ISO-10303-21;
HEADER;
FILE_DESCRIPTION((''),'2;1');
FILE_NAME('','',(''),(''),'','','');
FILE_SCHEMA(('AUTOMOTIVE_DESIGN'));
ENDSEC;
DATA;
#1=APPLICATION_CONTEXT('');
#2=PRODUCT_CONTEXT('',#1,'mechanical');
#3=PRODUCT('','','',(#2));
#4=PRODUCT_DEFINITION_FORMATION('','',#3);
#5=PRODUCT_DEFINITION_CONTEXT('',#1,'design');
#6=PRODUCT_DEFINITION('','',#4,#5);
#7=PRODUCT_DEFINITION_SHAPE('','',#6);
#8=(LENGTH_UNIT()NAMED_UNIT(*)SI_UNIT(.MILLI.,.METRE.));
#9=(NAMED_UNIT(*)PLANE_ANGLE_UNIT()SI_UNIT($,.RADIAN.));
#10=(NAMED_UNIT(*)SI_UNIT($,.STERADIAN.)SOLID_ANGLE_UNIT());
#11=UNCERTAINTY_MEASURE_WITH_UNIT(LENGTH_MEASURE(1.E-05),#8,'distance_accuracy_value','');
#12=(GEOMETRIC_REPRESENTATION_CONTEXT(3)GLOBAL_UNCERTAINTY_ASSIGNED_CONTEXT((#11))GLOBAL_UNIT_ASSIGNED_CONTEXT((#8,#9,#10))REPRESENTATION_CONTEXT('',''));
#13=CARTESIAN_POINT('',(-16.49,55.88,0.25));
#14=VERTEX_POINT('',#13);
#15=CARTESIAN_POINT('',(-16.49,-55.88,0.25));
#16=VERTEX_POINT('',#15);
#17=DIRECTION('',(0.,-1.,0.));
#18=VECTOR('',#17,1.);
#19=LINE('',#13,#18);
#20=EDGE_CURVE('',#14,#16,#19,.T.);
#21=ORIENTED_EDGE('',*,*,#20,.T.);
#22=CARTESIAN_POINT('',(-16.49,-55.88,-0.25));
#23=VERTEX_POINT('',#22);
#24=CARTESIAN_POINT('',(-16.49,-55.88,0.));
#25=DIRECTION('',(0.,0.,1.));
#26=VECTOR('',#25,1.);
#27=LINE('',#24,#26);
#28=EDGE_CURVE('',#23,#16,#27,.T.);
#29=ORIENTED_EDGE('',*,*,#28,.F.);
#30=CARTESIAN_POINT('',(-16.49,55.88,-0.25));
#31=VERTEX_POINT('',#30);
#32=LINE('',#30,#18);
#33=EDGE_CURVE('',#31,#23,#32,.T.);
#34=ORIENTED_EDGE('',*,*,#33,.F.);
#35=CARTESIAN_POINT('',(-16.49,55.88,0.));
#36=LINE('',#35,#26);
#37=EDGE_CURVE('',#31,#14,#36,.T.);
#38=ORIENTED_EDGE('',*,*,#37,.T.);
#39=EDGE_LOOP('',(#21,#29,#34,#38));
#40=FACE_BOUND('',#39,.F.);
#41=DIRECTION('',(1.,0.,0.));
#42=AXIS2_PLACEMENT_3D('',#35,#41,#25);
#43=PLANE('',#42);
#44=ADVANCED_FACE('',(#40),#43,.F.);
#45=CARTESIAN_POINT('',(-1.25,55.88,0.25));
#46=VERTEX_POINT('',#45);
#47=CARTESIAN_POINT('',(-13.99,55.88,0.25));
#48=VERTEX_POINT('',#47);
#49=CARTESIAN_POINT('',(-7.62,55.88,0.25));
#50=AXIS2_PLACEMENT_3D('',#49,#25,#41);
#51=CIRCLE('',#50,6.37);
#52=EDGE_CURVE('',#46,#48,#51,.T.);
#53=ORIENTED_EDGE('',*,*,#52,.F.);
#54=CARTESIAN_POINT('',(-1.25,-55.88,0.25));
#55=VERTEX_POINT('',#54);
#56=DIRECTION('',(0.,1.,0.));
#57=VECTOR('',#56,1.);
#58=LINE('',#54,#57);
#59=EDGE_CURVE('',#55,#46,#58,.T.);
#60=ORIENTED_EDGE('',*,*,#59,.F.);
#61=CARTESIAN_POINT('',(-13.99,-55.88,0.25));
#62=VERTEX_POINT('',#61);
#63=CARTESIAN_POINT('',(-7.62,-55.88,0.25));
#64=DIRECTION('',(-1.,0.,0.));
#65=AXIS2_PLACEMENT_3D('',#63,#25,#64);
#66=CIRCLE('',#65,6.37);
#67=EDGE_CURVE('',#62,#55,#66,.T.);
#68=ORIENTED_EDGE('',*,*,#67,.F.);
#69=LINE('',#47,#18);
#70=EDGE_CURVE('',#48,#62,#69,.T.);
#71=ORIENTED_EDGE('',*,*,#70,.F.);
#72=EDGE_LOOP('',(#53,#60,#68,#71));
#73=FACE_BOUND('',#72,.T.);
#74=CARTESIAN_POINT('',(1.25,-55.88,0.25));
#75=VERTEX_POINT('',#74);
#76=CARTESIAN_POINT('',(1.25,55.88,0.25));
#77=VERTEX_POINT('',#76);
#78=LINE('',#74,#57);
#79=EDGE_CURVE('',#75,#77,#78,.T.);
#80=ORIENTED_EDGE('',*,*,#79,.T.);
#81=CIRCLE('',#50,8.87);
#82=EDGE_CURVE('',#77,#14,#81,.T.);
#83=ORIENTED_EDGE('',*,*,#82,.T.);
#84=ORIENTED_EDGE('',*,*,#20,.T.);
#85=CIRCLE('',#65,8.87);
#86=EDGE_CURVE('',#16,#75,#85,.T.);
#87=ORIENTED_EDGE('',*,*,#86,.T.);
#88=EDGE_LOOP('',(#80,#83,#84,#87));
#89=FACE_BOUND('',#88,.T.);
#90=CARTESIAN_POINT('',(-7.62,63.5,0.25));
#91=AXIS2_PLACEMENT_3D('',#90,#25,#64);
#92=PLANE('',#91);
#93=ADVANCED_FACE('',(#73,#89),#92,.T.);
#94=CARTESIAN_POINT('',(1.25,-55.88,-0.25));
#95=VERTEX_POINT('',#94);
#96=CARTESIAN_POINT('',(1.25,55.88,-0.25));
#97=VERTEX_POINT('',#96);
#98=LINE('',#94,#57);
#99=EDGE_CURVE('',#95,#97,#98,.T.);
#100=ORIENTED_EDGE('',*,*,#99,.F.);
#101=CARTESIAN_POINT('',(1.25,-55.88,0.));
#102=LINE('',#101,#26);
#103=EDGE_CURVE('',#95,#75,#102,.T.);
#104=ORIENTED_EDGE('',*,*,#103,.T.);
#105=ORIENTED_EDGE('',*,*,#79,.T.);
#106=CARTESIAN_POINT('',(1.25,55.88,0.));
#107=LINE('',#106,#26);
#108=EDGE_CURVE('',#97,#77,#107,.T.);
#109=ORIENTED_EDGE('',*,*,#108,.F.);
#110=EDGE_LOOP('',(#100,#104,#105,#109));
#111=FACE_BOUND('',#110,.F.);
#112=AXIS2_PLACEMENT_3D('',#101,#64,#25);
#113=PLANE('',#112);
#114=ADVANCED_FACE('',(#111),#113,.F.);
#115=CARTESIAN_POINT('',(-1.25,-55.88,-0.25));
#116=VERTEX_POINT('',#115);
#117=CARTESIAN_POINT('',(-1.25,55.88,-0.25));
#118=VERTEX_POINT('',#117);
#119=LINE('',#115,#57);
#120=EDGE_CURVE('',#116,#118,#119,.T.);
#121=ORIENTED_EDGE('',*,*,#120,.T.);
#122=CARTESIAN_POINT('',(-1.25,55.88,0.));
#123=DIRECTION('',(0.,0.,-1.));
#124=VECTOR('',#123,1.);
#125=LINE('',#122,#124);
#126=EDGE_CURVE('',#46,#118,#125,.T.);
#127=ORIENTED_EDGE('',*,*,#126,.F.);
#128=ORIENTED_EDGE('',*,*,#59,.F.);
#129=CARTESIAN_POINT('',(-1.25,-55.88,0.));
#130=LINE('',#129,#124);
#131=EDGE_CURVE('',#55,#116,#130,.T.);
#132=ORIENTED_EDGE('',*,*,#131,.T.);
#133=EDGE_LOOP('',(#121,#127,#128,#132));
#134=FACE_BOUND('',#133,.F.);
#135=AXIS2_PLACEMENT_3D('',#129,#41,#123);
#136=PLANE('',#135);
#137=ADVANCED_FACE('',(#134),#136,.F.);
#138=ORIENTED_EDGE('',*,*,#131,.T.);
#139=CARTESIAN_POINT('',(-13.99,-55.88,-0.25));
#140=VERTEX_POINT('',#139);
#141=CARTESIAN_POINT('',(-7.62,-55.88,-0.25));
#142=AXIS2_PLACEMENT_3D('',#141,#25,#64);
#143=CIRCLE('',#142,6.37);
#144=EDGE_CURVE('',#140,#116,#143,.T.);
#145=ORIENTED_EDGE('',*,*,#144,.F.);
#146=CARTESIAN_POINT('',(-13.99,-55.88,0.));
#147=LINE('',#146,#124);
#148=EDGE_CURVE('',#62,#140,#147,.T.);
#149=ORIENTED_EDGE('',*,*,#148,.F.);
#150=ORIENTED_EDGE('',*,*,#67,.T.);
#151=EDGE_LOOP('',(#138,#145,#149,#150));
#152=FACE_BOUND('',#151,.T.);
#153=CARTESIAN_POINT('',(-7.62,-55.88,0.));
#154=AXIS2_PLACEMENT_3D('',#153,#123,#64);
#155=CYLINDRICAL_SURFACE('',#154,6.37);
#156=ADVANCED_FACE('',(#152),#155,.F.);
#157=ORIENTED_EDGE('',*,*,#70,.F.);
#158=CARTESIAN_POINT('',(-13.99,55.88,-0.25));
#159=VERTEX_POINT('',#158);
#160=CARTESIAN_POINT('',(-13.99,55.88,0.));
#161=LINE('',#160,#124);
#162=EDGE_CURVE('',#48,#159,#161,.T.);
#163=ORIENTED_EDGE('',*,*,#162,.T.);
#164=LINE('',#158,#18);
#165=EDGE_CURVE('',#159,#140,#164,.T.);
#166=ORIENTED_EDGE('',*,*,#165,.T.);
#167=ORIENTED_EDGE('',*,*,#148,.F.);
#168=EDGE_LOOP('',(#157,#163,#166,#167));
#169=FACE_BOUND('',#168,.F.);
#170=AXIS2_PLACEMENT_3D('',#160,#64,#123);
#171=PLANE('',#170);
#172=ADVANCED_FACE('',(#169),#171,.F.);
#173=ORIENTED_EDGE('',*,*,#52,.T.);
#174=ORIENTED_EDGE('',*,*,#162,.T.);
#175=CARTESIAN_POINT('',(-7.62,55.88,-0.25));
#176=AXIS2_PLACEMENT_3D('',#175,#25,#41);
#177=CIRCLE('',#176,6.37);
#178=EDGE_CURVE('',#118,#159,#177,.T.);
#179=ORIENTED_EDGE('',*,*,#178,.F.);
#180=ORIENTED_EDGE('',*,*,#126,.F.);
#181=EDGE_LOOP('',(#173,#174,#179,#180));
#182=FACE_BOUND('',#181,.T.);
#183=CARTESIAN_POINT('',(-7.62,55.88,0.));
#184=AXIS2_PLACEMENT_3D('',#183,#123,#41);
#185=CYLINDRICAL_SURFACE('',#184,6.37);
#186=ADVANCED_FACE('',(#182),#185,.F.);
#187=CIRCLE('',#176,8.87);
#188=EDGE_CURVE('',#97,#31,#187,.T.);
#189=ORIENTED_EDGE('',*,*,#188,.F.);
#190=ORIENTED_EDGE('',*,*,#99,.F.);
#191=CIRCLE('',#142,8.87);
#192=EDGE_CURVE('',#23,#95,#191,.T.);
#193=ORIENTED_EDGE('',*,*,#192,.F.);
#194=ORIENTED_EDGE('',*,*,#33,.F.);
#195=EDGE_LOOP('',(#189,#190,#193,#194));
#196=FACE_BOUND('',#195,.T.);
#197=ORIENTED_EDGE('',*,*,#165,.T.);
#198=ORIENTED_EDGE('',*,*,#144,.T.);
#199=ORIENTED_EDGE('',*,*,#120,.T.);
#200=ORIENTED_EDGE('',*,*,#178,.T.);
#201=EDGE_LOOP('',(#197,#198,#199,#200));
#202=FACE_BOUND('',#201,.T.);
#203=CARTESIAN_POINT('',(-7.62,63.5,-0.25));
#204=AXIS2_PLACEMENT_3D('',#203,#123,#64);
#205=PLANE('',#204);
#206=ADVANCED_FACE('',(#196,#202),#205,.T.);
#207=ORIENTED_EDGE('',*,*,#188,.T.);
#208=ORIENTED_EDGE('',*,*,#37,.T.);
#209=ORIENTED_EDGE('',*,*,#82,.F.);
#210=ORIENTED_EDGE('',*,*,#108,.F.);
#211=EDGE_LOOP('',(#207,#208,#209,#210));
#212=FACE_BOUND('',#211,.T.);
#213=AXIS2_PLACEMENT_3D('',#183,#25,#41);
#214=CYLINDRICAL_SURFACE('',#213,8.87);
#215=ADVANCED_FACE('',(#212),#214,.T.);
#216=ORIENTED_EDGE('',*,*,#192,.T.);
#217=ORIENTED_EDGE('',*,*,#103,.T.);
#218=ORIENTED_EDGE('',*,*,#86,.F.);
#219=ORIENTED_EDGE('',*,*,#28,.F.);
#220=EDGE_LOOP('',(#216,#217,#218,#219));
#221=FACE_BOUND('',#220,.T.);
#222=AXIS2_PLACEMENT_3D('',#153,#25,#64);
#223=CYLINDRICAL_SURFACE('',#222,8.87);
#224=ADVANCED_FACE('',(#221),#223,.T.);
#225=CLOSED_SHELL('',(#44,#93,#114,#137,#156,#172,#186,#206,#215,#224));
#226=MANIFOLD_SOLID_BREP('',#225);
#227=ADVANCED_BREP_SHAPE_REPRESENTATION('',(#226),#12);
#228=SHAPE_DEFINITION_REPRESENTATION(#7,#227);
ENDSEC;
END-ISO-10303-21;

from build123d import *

# Parameters (mm, degrees)
F0_W = 2.5
F0_H = 0.5


with BuildPart() as f2:
    # F2: sweep along a path in F1
    with BuildLine(Plane.XY) as f2_path:
        Line((0, 0), (0, 55.88))
        ThreePointArc((0, 55.88), (-7.62, 63.5), (-15.24, 55.88))
        Line((-15.24, 55.88), (-15.24, -55.88))
        ThreePointArc((-15.24, -55.88), (-7.62, -63.5), (0, -55.88))
        Line((0, -55.88), (0, 0))
    # F0 (on Front) → F2 (sweep)
    with BuildSketch(Plane.XZ):
        Rectangle(F0_W, F0_H)
    sweep(path=f2_path.line)


solid = f2.part
